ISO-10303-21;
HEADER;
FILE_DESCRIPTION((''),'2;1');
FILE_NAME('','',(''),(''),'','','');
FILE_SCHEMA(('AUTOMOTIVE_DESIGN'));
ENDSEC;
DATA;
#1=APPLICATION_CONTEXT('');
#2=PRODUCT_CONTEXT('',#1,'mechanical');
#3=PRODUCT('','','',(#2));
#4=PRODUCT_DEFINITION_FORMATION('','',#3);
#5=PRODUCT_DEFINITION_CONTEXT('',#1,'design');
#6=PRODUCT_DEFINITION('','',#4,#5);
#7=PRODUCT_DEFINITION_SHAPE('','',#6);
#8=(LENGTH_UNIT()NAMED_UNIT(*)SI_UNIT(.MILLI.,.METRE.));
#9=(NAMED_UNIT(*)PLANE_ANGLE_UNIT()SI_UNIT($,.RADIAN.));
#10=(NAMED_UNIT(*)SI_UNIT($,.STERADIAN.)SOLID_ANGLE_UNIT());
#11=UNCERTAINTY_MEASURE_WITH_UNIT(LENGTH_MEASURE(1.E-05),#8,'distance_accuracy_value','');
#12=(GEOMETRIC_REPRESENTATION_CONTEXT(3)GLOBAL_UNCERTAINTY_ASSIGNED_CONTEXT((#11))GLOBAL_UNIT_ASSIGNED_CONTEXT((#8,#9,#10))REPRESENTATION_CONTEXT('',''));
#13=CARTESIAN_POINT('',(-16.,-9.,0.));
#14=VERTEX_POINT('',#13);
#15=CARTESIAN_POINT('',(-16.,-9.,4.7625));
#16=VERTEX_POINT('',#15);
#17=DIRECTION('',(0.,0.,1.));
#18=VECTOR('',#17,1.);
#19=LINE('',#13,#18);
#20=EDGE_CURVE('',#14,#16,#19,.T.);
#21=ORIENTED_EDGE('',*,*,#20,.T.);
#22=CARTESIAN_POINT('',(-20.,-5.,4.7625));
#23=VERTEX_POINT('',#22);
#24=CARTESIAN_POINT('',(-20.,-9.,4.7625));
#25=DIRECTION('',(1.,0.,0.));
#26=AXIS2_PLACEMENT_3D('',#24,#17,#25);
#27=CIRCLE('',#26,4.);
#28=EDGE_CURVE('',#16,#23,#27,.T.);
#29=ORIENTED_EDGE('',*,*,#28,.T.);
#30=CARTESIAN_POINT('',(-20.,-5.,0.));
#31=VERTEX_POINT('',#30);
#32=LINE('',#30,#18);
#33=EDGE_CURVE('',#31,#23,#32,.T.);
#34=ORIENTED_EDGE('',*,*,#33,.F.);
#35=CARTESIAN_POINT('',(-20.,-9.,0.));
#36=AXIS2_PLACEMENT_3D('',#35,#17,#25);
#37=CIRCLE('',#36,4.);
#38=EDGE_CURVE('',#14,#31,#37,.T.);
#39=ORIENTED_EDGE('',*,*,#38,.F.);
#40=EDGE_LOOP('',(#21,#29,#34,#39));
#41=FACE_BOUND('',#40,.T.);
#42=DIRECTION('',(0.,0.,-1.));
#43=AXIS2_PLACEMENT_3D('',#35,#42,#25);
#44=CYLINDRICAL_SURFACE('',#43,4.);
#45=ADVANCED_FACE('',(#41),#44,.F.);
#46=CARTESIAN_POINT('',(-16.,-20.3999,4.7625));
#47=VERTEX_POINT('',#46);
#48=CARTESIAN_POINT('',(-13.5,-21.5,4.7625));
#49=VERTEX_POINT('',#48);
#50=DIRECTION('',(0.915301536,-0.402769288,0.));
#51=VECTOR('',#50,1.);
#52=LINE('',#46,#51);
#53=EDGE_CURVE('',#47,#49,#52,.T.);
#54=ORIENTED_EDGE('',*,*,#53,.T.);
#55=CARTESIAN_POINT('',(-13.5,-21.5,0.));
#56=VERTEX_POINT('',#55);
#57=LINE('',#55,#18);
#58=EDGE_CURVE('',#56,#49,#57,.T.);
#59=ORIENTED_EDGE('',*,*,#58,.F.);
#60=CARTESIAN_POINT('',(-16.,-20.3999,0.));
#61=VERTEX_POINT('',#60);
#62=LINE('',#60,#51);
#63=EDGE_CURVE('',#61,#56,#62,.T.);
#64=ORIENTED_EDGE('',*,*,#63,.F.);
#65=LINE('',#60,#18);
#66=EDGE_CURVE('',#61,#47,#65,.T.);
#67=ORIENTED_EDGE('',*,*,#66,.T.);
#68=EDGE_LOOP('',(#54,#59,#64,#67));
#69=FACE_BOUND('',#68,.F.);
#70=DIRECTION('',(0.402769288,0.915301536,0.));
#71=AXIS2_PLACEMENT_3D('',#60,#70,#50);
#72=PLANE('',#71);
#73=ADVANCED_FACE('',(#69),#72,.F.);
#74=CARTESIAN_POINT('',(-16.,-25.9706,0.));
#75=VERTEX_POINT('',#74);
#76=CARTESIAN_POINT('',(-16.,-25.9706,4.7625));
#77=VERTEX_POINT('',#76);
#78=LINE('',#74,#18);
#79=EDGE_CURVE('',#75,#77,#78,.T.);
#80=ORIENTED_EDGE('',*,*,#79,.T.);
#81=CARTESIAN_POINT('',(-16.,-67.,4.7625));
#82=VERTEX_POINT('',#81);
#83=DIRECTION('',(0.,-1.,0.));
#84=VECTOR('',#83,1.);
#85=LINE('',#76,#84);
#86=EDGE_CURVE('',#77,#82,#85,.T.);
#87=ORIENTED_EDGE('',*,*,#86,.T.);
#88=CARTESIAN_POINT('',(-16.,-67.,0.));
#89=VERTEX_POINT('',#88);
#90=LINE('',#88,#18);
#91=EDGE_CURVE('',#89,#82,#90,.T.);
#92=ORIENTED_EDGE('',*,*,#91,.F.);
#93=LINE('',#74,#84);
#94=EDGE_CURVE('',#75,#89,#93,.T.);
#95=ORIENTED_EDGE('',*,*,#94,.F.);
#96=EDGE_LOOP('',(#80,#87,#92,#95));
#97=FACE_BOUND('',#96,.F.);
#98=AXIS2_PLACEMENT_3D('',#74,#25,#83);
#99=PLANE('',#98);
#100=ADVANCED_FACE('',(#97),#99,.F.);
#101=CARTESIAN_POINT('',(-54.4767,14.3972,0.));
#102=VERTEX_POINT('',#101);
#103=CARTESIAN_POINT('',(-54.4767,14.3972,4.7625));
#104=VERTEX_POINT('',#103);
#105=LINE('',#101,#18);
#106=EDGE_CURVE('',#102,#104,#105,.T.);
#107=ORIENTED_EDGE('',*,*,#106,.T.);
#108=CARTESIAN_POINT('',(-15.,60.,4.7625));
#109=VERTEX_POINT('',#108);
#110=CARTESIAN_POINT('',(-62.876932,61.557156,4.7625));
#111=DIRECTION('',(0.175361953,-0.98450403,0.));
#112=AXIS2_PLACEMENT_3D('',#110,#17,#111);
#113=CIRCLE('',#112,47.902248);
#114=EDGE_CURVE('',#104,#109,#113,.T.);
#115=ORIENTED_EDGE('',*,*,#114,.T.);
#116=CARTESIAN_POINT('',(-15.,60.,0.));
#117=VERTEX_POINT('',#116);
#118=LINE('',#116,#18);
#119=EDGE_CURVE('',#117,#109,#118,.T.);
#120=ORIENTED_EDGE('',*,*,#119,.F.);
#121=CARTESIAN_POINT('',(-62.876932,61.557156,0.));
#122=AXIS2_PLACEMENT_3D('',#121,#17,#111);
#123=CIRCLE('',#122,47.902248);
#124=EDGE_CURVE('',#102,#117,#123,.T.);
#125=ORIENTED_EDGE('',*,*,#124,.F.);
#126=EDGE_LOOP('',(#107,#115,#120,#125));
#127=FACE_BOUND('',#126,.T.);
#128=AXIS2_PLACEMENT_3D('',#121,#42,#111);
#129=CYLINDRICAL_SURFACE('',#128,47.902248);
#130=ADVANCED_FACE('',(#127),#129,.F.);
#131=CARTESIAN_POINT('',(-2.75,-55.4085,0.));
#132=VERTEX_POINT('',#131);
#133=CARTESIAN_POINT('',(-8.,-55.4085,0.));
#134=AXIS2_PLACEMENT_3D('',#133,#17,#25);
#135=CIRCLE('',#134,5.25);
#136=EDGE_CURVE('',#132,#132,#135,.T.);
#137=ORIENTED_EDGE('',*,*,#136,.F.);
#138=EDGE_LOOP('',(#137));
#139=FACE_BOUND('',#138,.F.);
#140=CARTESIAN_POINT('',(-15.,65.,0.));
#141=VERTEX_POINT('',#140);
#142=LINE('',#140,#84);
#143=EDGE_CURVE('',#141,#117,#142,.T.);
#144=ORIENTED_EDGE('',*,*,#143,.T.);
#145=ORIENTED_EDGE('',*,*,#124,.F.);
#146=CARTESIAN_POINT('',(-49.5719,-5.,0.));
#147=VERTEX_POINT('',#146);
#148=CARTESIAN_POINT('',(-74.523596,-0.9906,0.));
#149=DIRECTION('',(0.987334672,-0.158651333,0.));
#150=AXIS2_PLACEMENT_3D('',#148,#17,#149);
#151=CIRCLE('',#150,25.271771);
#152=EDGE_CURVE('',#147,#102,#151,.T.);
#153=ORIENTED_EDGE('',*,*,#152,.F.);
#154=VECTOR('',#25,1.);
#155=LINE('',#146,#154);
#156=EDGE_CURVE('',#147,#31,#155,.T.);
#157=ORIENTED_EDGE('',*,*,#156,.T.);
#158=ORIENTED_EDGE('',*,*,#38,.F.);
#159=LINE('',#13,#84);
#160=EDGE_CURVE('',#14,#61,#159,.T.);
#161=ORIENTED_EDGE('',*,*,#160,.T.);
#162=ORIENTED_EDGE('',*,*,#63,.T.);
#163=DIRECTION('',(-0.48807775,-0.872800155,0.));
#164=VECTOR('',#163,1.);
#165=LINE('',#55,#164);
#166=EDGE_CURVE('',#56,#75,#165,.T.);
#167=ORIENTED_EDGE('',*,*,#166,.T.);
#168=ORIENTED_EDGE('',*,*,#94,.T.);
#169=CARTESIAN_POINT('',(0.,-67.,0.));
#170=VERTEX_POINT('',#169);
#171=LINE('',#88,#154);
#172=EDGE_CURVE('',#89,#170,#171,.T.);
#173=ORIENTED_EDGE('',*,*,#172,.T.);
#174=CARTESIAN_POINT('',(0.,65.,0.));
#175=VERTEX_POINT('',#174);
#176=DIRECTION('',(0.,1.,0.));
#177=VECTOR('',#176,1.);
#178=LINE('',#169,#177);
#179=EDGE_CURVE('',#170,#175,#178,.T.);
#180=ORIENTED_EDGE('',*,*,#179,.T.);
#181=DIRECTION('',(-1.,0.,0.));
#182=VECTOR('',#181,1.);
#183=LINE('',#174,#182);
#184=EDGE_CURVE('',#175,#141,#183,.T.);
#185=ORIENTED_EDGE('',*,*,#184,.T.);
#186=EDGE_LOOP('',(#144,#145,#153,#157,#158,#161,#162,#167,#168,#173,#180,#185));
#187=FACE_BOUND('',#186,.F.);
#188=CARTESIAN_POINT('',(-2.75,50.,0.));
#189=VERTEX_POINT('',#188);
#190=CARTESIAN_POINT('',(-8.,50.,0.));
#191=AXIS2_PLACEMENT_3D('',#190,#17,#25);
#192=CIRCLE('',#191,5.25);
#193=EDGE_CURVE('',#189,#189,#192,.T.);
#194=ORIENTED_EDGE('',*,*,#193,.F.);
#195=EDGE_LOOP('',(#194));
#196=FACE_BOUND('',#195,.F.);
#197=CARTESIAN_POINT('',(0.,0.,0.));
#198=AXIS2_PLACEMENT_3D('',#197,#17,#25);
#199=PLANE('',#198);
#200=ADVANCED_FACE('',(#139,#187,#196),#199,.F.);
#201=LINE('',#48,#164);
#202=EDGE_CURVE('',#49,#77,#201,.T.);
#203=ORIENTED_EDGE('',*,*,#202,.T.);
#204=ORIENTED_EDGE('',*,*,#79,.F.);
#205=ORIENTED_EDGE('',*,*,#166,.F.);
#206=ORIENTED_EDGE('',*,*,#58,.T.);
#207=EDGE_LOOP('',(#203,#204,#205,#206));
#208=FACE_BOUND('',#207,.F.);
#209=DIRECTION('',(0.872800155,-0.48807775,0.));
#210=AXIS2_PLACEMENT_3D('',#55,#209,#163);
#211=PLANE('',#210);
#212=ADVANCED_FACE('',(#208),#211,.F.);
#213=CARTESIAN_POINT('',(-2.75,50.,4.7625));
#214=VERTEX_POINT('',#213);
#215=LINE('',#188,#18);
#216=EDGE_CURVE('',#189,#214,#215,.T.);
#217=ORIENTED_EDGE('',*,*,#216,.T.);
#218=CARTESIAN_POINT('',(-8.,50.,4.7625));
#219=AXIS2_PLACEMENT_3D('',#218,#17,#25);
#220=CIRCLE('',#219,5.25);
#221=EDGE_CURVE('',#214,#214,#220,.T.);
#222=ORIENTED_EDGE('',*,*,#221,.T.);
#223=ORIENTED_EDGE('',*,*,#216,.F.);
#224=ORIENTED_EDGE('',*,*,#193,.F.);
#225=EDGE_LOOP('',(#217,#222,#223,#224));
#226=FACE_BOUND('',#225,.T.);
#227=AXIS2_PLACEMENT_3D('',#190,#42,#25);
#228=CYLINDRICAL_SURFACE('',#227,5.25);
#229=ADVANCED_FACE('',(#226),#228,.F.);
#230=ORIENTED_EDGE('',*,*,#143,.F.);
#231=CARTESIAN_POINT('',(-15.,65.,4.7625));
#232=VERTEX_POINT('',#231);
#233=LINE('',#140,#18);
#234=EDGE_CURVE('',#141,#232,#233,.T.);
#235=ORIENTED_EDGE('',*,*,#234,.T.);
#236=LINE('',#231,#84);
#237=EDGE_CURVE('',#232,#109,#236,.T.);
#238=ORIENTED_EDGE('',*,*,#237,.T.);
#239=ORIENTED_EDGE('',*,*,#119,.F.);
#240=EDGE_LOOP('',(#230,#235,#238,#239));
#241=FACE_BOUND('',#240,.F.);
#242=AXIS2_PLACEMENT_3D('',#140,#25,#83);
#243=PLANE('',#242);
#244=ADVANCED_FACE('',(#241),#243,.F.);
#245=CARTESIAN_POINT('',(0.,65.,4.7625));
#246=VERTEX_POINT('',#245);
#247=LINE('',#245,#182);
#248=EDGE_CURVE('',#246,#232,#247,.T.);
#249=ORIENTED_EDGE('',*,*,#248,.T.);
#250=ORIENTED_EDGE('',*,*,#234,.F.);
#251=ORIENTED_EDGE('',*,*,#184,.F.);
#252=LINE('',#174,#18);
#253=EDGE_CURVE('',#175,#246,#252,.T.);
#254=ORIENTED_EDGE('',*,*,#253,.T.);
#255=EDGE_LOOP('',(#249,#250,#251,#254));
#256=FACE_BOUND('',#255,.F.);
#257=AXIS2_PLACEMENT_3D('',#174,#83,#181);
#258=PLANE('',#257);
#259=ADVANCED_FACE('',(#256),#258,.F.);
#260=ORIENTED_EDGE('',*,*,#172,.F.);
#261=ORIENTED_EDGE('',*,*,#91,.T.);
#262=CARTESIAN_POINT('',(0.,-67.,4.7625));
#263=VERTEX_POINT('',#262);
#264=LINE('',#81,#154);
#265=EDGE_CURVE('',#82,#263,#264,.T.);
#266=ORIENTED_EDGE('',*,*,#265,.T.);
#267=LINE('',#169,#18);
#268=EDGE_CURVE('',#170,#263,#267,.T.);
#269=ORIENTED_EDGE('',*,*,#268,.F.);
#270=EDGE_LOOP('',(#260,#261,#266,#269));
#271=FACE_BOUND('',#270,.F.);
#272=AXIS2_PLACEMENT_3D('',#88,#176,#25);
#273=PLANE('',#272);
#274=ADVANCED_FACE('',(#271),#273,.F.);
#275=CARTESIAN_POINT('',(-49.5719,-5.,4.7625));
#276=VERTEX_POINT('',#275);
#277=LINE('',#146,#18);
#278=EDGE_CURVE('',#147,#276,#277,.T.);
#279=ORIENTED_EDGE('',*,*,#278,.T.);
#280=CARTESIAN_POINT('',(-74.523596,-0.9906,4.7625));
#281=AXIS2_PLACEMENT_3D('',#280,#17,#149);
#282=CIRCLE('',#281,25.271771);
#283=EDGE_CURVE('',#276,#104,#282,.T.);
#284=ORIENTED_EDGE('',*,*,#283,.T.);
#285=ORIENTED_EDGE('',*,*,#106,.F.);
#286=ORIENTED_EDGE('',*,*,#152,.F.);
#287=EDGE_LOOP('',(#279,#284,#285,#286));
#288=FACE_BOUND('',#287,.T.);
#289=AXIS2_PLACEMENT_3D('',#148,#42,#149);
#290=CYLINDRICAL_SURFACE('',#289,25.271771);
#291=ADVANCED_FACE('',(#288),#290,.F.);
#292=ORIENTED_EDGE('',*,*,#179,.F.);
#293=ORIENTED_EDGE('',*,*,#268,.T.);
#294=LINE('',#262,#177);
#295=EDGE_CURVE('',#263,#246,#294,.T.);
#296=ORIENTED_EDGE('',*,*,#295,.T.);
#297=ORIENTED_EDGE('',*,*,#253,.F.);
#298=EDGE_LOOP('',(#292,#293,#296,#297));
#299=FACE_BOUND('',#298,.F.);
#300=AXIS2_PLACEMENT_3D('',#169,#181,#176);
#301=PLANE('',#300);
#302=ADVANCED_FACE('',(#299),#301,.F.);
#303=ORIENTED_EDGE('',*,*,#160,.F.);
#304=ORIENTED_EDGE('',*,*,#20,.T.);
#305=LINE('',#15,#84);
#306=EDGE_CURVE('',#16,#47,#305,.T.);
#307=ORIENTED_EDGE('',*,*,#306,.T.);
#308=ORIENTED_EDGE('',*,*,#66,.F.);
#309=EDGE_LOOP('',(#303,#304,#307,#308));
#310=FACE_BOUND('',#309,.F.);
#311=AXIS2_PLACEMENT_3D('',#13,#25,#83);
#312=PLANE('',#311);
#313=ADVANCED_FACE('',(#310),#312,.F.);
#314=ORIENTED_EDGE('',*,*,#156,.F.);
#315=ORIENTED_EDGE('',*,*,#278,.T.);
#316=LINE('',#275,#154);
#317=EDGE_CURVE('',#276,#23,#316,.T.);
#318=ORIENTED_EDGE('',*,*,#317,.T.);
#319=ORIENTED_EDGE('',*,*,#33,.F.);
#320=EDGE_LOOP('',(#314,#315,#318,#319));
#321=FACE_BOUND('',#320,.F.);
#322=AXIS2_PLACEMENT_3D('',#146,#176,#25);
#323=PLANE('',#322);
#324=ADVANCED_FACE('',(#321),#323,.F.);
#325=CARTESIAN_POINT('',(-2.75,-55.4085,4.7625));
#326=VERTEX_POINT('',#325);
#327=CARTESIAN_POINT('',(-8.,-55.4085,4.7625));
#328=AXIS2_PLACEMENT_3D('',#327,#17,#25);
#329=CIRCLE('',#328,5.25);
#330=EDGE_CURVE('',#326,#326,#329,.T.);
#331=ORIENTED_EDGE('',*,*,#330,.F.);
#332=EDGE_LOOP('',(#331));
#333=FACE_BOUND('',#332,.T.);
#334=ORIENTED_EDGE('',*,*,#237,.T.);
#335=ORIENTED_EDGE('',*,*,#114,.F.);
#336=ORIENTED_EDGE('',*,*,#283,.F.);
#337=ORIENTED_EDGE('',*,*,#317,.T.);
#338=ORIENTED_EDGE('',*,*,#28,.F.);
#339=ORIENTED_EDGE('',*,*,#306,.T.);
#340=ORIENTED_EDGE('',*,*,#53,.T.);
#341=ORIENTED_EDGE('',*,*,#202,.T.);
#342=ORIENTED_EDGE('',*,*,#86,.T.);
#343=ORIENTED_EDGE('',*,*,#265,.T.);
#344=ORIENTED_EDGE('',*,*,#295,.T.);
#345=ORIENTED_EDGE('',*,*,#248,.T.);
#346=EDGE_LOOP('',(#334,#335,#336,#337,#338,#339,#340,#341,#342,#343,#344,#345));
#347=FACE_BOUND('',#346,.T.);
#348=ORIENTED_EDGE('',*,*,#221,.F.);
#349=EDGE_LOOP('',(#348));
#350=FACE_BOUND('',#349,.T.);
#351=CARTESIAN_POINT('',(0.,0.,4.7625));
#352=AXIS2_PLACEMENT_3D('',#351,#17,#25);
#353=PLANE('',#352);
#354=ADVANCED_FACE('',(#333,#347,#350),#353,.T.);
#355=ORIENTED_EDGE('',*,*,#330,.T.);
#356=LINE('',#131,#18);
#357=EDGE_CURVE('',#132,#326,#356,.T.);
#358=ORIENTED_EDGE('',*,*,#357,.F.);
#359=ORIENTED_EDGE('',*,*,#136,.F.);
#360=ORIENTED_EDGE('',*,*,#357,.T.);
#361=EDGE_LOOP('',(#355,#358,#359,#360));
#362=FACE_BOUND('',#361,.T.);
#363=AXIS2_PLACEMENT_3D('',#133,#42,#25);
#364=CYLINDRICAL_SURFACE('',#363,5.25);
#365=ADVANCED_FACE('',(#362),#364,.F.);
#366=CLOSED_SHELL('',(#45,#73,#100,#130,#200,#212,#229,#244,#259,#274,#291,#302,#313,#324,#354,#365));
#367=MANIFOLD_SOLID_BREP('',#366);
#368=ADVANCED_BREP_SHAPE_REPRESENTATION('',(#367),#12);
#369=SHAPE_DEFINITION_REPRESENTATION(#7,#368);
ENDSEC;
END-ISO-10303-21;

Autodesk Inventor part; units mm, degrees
ref_plane "YZ Plane" through (0, 0, 0) normal (1, 0, 0) x (0, 1, 0)
ref_plane "XZ Plane" through (0, 0, 0) normal (0, 1, 0) x (-1, 0, 0)
ref_plane "XY Plane" through (0, 0, 0) normal (0, 0, 1) x (1, 0, 0)
sketch "Sketch1" plane through (0, 0, 0) normal (0, 0, 1) x (1, 0, 0)
  arc A0 (-54.4767, 14.3972) -> (-15, 60) centre (-62.8769, 61.5571) ccw
  arc A1 (-49.5719, -5) -> (-54.4767, 14.3972) centre (-74.5236, -0.9906) ccw
  line L0 (-49.5719, -5) -> (-20, -5)
  arc A2 (-16, -9) -> (-20, -5) centre (-20, -9) ccw
  line L1 (-16, -9) -> (-16, -20.3999)
  line L2 (-16, -20.3999) -> (-13.5, -21.5)
  line L3 (-13.5, -21.5) -> (-16, -25.9706)
  line L4 (-16, -25.9706) -> (-16, -67)
  line L5 (-16, -67) -> (0, -67)
  line L6 (0, -67) -> (0, 65)
  line L7 (0, 65) -> (-15, 65)
  line L8 (-15, 65) -> (-15, 60)
  circle A3 centre (-8, 50) radius 5.25
  circle A4 centre (-8, -55.4085) radius 5.25
  arc A5 (-54.4767, 14.3972) -> (-15, 60) centre (-62.8769, 61.5571) ccw
  arc A6 (-49.5719, -5) -> (-54.4767, 14.3972) centre (-74.5236, -0.9906) ccw
  line L9 (-49.5719, -5) -> (-20, -5)
  arc A7 (-16, -9) -> (-20, -5) centre (-20, -9) ccw
  line L10 (-16, -9) -> (-16, -20.3999)
  line L11 (-16, -20.3999) -> (-13.5, -21.5)
  line L12 (-13.5, -21.5) -> (-16, -25.9706)
  line L13 (-16, -25.9706) -> (-16, -67)
  line L14 (-16, -67) -> (0, -67)
  line L15 (0, -67) -> (0, 65)
  line L16 (0, 65) -> (-15, 65)
  line L17 (-15, 65) -> (-15, 60)
  circle A8 centre (-8, 50) radius 5.25
  circle A9 centre (-8, -55.4085) radius 5.25
  point P0 (0, 0)
extrude "Extrusion1" add sketch "Sketch1" along normal blind 4.7625
properties part number "1-4inch_FixedKnifeBig_Piece1"
